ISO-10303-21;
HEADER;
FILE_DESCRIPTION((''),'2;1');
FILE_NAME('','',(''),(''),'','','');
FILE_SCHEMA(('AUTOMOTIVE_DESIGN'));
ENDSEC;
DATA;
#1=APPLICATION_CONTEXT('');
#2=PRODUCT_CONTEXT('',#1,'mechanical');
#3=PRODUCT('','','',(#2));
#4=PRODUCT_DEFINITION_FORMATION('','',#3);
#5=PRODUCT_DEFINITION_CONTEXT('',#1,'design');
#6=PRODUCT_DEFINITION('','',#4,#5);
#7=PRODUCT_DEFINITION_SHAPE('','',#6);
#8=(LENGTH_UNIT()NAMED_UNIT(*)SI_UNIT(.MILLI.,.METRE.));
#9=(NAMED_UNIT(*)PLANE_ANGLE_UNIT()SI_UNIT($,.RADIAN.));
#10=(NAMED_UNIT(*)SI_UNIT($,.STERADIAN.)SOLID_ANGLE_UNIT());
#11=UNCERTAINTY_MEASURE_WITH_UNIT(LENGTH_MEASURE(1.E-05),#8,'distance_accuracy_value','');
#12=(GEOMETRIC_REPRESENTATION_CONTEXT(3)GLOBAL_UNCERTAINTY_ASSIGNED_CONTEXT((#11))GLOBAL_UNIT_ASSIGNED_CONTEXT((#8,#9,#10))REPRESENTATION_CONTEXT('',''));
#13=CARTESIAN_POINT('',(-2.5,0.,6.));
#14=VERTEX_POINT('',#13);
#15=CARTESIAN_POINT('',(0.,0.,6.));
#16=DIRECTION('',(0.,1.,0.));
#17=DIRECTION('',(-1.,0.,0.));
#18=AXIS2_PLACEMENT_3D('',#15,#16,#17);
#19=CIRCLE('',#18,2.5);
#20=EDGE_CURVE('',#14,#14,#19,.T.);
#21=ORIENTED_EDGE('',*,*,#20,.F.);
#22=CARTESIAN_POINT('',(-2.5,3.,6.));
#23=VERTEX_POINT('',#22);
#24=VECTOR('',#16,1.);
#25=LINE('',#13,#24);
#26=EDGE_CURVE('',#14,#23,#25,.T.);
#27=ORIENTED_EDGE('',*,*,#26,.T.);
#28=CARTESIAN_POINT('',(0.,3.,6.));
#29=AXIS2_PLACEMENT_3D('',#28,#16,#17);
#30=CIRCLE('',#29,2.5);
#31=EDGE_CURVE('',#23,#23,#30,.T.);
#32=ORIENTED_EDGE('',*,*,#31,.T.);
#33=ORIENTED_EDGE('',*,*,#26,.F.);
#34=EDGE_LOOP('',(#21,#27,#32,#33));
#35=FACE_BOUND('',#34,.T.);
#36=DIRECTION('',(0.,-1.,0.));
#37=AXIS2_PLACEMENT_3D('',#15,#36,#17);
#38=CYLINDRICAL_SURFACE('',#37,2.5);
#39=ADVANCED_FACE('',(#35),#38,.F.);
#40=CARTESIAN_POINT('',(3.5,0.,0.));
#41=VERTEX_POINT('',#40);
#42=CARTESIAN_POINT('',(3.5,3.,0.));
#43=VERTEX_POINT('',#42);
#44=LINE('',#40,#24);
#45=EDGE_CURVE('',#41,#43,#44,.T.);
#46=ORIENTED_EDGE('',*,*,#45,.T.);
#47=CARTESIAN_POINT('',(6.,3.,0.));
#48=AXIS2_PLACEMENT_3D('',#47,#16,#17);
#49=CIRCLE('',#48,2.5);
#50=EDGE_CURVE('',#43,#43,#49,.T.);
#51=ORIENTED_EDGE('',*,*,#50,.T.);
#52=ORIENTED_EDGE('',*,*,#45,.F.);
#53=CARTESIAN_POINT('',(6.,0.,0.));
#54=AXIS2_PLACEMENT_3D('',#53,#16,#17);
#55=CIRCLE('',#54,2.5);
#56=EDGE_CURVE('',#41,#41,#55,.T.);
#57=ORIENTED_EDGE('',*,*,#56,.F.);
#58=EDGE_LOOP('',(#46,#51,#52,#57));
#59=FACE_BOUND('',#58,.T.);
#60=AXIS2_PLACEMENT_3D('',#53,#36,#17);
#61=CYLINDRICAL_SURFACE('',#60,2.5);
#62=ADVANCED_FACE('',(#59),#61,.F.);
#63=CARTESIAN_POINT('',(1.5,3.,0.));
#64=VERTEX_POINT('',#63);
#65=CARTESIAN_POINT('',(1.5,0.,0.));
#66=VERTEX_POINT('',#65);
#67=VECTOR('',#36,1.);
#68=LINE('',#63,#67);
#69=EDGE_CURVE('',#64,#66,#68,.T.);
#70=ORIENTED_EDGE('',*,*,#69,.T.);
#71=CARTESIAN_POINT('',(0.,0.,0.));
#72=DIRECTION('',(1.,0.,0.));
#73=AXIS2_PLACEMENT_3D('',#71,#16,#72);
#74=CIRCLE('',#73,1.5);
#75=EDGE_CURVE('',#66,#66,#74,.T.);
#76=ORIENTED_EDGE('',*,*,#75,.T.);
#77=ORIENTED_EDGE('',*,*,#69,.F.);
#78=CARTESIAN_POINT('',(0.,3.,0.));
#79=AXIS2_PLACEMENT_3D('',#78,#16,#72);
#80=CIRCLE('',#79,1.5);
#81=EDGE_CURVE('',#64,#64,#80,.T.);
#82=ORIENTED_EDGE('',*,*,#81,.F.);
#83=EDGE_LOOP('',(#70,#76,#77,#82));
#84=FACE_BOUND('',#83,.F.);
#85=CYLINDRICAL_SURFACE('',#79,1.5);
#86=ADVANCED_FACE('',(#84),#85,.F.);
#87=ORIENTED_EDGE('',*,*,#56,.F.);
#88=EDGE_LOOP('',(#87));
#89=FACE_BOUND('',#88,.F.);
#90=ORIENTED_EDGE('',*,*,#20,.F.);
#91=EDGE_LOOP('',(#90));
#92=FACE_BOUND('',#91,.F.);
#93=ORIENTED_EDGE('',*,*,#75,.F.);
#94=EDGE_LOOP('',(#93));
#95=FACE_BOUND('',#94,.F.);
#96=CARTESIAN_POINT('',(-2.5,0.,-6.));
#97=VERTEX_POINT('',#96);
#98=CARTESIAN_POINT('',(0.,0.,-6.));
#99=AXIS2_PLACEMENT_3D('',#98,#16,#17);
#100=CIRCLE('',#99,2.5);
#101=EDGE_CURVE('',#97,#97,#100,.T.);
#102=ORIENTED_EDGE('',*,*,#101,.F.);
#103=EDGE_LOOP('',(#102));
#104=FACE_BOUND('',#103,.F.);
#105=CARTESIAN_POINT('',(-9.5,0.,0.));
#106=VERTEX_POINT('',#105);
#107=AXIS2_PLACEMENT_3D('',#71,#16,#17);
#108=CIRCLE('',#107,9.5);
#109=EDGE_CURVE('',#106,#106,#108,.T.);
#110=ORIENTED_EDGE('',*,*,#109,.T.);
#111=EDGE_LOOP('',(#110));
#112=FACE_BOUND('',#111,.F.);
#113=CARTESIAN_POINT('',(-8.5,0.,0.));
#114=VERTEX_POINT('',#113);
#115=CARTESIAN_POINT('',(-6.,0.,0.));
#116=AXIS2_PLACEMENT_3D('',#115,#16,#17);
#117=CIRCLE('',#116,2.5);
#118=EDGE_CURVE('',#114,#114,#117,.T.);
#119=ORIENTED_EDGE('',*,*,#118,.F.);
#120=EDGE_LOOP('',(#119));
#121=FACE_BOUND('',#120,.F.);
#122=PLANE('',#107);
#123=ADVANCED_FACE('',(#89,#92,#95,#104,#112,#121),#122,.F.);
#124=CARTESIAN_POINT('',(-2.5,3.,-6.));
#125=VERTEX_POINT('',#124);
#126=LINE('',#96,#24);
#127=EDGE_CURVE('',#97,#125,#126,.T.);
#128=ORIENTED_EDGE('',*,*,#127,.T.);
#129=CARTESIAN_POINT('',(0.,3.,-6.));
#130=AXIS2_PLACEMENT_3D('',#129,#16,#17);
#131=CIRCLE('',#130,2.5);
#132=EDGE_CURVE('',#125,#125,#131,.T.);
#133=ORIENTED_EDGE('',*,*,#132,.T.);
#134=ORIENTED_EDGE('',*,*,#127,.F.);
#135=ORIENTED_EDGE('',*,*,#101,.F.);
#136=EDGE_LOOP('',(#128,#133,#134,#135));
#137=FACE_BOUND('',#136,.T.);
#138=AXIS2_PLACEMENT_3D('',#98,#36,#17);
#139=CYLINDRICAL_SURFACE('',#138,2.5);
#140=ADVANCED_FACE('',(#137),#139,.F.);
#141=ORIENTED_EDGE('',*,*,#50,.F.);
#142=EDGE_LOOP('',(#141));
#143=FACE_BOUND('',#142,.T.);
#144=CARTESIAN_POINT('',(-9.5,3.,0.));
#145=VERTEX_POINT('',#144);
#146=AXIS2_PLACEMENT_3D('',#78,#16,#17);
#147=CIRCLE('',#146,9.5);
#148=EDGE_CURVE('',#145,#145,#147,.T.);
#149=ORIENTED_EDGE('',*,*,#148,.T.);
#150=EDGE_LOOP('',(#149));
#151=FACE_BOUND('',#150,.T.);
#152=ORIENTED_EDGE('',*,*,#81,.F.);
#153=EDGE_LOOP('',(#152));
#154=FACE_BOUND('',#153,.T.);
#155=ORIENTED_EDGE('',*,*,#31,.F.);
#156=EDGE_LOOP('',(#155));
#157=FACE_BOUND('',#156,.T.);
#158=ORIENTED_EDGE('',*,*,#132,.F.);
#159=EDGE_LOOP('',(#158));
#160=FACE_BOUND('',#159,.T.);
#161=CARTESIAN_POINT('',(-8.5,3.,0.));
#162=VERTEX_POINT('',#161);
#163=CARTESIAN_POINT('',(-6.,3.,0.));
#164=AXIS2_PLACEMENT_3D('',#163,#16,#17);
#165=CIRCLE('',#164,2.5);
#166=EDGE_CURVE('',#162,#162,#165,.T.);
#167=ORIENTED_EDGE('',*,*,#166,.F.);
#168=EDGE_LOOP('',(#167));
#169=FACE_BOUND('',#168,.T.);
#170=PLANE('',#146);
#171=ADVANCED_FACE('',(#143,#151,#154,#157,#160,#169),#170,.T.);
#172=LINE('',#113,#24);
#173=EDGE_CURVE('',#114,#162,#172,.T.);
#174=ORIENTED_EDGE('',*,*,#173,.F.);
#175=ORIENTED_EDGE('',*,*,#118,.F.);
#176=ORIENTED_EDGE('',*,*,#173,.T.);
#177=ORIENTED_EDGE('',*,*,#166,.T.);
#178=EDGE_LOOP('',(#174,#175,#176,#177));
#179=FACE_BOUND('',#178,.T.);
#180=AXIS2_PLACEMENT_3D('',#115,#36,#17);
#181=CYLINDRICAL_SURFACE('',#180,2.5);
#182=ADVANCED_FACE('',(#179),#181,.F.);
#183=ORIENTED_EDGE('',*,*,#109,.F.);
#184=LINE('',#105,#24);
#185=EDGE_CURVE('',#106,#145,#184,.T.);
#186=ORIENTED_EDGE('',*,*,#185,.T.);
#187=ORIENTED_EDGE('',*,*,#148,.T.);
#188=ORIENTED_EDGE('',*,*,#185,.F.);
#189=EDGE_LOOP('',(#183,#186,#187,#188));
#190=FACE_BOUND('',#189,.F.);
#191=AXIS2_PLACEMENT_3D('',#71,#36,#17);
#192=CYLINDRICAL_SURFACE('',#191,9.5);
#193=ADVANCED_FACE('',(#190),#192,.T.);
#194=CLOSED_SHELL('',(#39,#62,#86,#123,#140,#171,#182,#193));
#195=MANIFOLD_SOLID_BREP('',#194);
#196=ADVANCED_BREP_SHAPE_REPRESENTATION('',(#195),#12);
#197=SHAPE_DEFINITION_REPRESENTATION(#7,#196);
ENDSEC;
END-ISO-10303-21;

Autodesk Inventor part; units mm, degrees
ref_plane "YZ Plane" through (0, 0, 0) normal (1, 0, 0) x (0, 1, 0)
ref_plane "XZ Plane" through (0, 0, 0) normal (0, 1, 0) x (-1, 0, 0)
ref_plane "XY Plane" through (0, 0, 0) normal (0, 0, 1) x (1, 0, 0)
sketch "Esquisse1" plane through (0, 0, 0) normal (0, 1, 0) x (-1, 0, 0)
  circle A0 centre (0, 0) radius 9.5
  circle A1 centre (0, 0) radius 2.5 construction
  line L0 (0, 9.5) -> (0, -9.5) construction
  line L1 (-9.5, 0) -> (9.5, 0) construction
  circle A2 centre (0, -6) radius 2.5
  circle A3 centre (0, 6) radius 2.5
  circle A4 centre (0, 0) radius 2.5 construction
  circle A5 centre (6, 0) radius 2.5
  circle A6 centre (-6, 0) radius 2.5
  circle A7 centre (0, 0) radius 2.5 construction
  dimension "d0" = 19
  dimension "d1" = 5
  dimension "d4" = 6
  dimension "d7" = 6
  dimension "d12" = 6
  dimension "d15" = 6
extrude "Extrusion1" add sketch "Esquisse1" along normal blind 3
sketch "Esquisse2" plane through (0, 3, 0) normal (0, 1, 0) x (1, 0, 0)
  circle A0 centre (0, 0) radius 9.5 construction
  circle A1 centre (0, 0) radius 1.5
  dimension "d20" = 3
extrude "Extrusion2" cut sketch "Esquisse2" against normal through all
properties part number "Arm"
